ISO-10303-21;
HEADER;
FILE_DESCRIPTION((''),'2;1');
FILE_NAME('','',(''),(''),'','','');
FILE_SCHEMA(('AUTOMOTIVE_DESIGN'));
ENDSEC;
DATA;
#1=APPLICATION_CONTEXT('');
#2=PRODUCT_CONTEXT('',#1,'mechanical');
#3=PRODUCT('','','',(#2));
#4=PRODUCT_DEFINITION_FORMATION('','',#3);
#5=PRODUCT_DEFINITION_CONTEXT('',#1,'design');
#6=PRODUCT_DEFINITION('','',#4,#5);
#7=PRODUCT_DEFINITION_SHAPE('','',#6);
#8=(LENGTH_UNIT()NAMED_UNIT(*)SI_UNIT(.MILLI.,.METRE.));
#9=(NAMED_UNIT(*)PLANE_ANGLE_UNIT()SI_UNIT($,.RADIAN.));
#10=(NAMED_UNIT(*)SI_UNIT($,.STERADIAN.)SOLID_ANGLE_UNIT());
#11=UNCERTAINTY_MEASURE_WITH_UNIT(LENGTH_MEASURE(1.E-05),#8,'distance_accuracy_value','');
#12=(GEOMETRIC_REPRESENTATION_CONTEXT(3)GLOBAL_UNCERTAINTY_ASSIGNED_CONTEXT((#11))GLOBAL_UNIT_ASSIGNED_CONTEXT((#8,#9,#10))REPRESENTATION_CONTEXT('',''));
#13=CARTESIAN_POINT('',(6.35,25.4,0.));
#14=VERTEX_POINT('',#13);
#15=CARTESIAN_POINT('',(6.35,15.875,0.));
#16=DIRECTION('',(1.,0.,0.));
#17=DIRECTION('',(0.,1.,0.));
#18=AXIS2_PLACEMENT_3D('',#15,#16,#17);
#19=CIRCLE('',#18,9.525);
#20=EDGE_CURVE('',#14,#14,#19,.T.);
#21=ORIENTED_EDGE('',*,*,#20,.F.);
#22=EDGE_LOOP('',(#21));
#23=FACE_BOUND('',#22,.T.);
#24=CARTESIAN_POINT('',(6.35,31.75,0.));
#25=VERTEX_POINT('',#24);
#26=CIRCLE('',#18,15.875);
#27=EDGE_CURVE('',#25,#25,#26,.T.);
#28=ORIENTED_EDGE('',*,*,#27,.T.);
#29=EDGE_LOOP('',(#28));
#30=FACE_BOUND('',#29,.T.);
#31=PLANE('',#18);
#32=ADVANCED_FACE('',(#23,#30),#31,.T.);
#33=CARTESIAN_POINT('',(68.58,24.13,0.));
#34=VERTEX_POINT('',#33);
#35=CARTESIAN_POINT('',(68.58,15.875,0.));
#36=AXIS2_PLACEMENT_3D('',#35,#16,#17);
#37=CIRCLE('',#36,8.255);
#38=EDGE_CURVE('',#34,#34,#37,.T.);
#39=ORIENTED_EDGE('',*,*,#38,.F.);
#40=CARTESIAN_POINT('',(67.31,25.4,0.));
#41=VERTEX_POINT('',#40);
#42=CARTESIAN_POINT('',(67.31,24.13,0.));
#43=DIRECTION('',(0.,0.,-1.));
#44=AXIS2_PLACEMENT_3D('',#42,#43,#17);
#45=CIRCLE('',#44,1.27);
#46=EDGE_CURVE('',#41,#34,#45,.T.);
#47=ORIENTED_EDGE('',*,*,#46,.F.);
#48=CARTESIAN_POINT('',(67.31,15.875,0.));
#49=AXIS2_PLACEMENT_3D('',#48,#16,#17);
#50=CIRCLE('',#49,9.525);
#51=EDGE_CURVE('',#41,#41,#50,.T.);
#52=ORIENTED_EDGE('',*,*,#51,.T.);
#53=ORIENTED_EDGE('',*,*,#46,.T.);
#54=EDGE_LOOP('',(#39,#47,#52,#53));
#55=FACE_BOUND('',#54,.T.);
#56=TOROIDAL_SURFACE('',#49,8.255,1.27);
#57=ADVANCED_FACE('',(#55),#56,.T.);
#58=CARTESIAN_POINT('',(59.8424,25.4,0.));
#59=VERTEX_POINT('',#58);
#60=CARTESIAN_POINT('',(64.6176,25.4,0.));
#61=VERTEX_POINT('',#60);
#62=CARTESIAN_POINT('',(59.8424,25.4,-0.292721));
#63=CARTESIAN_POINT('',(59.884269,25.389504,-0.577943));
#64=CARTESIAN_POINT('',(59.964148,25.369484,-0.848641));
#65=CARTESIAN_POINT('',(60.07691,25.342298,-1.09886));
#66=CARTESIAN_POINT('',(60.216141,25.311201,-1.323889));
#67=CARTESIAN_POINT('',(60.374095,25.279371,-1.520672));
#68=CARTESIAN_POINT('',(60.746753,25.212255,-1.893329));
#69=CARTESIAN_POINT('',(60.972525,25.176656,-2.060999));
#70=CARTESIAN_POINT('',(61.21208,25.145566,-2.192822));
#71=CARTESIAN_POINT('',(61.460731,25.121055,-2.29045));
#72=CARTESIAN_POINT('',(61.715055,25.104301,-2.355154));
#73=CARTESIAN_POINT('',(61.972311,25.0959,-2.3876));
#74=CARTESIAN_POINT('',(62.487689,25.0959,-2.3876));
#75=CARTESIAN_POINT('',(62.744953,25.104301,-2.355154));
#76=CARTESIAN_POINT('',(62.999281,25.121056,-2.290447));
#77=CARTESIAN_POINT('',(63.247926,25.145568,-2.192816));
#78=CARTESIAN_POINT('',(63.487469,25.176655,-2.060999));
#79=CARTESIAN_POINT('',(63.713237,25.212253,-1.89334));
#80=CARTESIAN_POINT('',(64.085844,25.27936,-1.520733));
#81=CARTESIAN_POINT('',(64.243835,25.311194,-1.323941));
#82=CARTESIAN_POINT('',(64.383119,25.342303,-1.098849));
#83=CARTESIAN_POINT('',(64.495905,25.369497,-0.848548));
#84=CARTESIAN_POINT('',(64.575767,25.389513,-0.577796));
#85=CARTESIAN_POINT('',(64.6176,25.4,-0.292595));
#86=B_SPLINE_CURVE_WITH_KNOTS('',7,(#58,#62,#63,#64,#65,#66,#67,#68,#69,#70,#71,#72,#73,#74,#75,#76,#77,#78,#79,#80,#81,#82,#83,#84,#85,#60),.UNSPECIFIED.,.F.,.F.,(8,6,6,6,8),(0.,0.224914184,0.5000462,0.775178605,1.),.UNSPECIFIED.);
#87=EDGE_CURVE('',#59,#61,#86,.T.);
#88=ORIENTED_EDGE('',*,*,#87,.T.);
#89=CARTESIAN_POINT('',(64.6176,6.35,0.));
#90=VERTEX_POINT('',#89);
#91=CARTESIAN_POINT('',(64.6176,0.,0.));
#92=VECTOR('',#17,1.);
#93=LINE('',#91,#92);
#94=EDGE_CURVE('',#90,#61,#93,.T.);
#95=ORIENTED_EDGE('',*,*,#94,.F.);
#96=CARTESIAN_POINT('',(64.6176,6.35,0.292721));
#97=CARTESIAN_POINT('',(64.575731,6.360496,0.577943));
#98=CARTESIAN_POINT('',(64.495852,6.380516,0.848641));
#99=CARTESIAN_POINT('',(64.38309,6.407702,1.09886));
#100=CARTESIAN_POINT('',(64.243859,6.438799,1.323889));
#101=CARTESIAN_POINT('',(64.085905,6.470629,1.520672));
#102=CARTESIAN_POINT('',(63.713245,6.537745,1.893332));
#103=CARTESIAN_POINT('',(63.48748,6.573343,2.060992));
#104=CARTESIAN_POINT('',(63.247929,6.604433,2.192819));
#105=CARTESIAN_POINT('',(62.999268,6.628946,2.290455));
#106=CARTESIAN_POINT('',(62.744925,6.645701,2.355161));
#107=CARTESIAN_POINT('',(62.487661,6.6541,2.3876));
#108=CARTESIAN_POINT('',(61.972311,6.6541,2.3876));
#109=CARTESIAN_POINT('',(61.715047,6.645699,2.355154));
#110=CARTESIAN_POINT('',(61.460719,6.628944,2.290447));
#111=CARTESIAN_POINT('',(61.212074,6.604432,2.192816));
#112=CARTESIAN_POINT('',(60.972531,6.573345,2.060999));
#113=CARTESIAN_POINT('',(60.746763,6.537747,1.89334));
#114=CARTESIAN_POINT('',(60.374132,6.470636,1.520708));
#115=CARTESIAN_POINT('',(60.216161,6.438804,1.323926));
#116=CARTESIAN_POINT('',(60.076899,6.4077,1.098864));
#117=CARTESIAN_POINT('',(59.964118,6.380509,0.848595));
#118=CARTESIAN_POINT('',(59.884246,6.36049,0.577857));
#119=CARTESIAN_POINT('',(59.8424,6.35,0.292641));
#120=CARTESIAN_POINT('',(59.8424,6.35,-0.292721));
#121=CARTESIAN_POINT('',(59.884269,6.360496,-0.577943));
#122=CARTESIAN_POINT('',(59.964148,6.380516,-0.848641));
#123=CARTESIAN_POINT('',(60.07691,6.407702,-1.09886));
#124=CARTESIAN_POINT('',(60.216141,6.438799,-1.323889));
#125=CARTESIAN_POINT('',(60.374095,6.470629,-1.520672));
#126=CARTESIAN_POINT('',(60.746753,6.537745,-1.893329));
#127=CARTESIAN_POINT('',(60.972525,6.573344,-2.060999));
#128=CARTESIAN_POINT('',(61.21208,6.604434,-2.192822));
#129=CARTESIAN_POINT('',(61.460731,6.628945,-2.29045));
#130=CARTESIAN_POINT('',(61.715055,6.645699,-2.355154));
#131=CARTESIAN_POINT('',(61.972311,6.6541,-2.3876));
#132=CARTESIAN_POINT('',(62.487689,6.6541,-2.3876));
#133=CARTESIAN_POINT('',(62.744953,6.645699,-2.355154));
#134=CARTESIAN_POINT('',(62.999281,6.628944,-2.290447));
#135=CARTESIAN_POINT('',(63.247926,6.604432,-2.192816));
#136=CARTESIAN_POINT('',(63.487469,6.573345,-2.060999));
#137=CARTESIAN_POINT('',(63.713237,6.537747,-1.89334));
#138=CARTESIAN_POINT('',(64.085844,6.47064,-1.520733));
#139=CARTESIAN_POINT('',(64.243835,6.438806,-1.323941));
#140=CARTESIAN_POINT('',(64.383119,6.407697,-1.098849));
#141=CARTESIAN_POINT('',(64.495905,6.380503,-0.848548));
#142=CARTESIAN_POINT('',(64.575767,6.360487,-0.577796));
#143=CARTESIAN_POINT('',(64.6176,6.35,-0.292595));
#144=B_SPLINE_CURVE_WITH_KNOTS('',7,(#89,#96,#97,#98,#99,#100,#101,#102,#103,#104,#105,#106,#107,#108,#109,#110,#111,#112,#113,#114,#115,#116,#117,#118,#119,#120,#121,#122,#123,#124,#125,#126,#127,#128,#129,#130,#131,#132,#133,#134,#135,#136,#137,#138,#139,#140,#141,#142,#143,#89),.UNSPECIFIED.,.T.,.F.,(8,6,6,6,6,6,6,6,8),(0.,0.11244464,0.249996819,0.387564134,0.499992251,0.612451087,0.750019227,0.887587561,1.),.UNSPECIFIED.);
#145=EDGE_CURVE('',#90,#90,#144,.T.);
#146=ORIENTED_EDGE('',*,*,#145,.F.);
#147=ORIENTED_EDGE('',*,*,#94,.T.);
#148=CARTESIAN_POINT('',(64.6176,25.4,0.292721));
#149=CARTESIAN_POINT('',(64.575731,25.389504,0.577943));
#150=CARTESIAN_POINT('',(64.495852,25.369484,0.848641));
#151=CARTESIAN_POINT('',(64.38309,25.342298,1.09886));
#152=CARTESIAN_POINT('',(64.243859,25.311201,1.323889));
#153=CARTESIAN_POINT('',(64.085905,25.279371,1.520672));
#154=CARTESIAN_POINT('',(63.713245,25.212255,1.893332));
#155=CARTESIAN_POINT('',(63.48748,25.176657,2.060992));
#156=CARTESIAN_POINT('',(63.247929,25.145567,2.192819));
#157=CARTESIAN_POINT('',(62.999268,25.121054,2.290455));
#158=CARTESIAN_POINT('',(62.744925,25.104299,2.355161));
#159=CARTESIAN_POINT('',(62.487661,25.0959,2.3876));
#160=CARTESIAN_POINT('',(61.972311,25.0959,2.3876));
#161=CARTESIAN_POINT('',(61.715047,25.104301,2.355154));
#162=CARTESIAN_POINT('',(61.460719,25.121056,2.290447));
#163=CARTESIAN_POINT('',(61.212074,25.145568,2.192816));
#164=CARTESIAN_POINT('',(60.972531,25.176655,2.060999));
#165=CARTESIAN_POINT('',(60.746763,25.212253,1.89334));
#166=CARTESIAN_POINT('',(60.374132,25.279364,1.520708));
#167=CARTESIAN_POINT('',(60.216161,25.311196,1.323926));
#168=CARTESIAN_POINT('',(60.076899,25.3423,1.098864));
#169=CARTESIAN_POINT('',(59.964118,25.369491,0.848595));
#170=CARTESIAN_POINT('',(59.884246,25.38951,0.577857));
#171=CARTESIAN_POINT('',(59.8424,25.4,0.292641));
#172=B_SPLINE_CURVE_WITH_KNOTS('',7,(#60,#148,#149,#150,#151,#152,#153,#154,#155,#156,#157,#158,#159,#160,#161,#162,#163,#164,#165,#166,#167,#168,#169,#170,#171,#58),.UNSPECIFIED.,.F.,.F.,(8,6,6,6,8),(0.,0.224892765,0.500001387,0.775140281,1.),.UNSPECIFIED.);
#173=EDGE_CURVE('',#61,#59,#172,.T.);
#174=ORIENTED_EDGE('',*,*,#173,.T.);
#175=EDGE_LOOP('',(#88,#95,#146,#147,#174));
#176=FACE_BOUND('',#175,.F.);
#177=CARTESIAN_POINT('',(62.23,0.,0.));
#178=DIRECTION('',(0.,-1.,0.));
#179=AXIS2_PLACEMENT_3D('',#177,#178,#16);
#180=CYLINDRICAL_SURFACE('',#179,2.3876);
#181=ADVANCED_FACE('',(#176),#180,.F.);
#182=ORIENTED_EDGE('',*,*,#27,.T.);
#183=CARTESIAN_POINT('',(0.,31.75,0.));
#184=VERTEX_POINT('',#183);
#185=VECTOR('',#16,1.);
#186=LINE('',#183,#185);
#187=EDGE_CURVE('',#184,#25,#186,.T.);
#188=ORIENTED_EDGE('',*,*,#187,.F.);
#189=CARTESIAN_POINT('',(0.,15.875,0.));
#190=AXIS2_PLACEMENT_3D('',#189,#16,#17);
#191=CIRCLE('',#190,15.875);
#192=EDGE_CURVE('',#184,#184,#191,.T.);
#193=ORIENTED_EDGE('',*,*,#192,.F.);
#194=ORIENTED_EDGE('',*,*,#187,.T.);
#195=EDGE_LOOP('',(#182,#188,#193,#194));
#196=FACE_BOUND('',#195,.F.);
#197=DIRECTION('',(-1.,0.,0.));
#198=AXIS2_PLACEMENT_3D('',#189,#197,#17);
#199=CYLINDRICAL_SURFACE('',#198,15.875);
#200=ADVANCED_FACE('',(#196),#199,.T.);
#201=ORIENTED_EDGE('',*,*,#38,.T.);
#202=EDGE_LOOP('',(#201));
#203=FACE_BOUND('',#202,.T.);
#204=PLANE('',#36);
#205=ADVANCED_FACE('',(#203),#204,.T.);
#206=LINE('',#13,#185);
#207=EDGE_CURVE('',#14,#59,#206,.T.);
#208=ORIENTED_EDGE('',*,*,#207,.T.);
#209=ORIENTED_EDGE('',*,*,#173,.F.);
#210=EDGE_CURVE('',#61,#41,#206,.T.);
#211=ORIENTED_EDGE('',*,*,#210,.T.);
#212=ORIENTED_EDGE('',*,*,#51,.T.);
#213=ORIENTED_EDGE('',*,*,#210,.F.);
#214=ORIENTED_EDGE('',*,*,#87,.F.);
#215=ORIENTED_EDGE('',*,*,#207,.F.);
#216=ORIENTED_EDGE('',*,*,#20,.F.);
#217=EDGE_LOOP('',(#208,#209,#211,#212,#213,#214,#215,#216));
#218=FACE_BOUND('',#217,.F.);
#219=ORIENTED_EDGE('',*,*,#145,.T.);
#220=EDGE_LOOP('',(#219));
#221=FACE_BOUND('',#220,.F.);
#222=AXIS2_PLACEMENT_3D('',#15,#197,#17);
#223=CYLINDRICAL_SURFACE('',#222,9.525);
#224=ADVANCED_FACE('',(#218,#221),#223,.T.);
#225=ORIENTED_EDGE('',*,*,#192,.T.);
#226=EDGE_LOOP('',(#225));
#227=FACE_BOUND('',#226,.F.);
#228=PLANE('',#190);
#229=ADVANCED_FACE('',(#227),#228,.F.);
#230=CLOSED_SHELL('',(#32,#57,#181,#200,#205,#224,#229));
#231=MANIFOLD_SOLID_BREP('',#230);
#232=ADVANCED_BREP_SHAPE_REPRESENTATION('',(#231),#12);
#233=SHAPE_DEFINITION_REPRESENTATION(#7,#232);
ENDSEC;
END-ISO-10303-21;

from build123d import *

# Parameters (mm, degrees)
F0_R     = 15.875
F1_DEPTH = 6.35
F2_R     = 9.525
F3_DEPTH = 62.23
F4_R     = 1.27
F5_R     = 2.3876
F6_DEPTH = 50.8


with BuildPart() as f1:
    # F0 (on Right) → F1 (new body)
    with BuildSketch(Plane.YZ):
        with Locations((15.875, 0)):
            Circle(F0_R)
    extrude(amount=F1_DEPTH)

    # F2 (on face) → F3 (join)
    with BuildSketch(Plane.YZ.offset(6.35)):
        with Locations((15.875, 0)):
            Circle(F2_R)
    extrude(amount=F3_DEPTH)

    # F4
    f4_edges = [f1.edges().sort_by_distance(p)[0] for p in [
        (68.58, 6.35, 0),
    ]]
    fillet(f4_edges, radius=F4_R)

    # F5 (on Front) → F6 (cut)
    with BuildSketch(Plane.XZ):
        with Locations((62.23, 0)):
            Circle(F5_R)
    extrude(amount=-F6_DEPTH, mode=Mode.SUBTRACT)


solid = f1.part
